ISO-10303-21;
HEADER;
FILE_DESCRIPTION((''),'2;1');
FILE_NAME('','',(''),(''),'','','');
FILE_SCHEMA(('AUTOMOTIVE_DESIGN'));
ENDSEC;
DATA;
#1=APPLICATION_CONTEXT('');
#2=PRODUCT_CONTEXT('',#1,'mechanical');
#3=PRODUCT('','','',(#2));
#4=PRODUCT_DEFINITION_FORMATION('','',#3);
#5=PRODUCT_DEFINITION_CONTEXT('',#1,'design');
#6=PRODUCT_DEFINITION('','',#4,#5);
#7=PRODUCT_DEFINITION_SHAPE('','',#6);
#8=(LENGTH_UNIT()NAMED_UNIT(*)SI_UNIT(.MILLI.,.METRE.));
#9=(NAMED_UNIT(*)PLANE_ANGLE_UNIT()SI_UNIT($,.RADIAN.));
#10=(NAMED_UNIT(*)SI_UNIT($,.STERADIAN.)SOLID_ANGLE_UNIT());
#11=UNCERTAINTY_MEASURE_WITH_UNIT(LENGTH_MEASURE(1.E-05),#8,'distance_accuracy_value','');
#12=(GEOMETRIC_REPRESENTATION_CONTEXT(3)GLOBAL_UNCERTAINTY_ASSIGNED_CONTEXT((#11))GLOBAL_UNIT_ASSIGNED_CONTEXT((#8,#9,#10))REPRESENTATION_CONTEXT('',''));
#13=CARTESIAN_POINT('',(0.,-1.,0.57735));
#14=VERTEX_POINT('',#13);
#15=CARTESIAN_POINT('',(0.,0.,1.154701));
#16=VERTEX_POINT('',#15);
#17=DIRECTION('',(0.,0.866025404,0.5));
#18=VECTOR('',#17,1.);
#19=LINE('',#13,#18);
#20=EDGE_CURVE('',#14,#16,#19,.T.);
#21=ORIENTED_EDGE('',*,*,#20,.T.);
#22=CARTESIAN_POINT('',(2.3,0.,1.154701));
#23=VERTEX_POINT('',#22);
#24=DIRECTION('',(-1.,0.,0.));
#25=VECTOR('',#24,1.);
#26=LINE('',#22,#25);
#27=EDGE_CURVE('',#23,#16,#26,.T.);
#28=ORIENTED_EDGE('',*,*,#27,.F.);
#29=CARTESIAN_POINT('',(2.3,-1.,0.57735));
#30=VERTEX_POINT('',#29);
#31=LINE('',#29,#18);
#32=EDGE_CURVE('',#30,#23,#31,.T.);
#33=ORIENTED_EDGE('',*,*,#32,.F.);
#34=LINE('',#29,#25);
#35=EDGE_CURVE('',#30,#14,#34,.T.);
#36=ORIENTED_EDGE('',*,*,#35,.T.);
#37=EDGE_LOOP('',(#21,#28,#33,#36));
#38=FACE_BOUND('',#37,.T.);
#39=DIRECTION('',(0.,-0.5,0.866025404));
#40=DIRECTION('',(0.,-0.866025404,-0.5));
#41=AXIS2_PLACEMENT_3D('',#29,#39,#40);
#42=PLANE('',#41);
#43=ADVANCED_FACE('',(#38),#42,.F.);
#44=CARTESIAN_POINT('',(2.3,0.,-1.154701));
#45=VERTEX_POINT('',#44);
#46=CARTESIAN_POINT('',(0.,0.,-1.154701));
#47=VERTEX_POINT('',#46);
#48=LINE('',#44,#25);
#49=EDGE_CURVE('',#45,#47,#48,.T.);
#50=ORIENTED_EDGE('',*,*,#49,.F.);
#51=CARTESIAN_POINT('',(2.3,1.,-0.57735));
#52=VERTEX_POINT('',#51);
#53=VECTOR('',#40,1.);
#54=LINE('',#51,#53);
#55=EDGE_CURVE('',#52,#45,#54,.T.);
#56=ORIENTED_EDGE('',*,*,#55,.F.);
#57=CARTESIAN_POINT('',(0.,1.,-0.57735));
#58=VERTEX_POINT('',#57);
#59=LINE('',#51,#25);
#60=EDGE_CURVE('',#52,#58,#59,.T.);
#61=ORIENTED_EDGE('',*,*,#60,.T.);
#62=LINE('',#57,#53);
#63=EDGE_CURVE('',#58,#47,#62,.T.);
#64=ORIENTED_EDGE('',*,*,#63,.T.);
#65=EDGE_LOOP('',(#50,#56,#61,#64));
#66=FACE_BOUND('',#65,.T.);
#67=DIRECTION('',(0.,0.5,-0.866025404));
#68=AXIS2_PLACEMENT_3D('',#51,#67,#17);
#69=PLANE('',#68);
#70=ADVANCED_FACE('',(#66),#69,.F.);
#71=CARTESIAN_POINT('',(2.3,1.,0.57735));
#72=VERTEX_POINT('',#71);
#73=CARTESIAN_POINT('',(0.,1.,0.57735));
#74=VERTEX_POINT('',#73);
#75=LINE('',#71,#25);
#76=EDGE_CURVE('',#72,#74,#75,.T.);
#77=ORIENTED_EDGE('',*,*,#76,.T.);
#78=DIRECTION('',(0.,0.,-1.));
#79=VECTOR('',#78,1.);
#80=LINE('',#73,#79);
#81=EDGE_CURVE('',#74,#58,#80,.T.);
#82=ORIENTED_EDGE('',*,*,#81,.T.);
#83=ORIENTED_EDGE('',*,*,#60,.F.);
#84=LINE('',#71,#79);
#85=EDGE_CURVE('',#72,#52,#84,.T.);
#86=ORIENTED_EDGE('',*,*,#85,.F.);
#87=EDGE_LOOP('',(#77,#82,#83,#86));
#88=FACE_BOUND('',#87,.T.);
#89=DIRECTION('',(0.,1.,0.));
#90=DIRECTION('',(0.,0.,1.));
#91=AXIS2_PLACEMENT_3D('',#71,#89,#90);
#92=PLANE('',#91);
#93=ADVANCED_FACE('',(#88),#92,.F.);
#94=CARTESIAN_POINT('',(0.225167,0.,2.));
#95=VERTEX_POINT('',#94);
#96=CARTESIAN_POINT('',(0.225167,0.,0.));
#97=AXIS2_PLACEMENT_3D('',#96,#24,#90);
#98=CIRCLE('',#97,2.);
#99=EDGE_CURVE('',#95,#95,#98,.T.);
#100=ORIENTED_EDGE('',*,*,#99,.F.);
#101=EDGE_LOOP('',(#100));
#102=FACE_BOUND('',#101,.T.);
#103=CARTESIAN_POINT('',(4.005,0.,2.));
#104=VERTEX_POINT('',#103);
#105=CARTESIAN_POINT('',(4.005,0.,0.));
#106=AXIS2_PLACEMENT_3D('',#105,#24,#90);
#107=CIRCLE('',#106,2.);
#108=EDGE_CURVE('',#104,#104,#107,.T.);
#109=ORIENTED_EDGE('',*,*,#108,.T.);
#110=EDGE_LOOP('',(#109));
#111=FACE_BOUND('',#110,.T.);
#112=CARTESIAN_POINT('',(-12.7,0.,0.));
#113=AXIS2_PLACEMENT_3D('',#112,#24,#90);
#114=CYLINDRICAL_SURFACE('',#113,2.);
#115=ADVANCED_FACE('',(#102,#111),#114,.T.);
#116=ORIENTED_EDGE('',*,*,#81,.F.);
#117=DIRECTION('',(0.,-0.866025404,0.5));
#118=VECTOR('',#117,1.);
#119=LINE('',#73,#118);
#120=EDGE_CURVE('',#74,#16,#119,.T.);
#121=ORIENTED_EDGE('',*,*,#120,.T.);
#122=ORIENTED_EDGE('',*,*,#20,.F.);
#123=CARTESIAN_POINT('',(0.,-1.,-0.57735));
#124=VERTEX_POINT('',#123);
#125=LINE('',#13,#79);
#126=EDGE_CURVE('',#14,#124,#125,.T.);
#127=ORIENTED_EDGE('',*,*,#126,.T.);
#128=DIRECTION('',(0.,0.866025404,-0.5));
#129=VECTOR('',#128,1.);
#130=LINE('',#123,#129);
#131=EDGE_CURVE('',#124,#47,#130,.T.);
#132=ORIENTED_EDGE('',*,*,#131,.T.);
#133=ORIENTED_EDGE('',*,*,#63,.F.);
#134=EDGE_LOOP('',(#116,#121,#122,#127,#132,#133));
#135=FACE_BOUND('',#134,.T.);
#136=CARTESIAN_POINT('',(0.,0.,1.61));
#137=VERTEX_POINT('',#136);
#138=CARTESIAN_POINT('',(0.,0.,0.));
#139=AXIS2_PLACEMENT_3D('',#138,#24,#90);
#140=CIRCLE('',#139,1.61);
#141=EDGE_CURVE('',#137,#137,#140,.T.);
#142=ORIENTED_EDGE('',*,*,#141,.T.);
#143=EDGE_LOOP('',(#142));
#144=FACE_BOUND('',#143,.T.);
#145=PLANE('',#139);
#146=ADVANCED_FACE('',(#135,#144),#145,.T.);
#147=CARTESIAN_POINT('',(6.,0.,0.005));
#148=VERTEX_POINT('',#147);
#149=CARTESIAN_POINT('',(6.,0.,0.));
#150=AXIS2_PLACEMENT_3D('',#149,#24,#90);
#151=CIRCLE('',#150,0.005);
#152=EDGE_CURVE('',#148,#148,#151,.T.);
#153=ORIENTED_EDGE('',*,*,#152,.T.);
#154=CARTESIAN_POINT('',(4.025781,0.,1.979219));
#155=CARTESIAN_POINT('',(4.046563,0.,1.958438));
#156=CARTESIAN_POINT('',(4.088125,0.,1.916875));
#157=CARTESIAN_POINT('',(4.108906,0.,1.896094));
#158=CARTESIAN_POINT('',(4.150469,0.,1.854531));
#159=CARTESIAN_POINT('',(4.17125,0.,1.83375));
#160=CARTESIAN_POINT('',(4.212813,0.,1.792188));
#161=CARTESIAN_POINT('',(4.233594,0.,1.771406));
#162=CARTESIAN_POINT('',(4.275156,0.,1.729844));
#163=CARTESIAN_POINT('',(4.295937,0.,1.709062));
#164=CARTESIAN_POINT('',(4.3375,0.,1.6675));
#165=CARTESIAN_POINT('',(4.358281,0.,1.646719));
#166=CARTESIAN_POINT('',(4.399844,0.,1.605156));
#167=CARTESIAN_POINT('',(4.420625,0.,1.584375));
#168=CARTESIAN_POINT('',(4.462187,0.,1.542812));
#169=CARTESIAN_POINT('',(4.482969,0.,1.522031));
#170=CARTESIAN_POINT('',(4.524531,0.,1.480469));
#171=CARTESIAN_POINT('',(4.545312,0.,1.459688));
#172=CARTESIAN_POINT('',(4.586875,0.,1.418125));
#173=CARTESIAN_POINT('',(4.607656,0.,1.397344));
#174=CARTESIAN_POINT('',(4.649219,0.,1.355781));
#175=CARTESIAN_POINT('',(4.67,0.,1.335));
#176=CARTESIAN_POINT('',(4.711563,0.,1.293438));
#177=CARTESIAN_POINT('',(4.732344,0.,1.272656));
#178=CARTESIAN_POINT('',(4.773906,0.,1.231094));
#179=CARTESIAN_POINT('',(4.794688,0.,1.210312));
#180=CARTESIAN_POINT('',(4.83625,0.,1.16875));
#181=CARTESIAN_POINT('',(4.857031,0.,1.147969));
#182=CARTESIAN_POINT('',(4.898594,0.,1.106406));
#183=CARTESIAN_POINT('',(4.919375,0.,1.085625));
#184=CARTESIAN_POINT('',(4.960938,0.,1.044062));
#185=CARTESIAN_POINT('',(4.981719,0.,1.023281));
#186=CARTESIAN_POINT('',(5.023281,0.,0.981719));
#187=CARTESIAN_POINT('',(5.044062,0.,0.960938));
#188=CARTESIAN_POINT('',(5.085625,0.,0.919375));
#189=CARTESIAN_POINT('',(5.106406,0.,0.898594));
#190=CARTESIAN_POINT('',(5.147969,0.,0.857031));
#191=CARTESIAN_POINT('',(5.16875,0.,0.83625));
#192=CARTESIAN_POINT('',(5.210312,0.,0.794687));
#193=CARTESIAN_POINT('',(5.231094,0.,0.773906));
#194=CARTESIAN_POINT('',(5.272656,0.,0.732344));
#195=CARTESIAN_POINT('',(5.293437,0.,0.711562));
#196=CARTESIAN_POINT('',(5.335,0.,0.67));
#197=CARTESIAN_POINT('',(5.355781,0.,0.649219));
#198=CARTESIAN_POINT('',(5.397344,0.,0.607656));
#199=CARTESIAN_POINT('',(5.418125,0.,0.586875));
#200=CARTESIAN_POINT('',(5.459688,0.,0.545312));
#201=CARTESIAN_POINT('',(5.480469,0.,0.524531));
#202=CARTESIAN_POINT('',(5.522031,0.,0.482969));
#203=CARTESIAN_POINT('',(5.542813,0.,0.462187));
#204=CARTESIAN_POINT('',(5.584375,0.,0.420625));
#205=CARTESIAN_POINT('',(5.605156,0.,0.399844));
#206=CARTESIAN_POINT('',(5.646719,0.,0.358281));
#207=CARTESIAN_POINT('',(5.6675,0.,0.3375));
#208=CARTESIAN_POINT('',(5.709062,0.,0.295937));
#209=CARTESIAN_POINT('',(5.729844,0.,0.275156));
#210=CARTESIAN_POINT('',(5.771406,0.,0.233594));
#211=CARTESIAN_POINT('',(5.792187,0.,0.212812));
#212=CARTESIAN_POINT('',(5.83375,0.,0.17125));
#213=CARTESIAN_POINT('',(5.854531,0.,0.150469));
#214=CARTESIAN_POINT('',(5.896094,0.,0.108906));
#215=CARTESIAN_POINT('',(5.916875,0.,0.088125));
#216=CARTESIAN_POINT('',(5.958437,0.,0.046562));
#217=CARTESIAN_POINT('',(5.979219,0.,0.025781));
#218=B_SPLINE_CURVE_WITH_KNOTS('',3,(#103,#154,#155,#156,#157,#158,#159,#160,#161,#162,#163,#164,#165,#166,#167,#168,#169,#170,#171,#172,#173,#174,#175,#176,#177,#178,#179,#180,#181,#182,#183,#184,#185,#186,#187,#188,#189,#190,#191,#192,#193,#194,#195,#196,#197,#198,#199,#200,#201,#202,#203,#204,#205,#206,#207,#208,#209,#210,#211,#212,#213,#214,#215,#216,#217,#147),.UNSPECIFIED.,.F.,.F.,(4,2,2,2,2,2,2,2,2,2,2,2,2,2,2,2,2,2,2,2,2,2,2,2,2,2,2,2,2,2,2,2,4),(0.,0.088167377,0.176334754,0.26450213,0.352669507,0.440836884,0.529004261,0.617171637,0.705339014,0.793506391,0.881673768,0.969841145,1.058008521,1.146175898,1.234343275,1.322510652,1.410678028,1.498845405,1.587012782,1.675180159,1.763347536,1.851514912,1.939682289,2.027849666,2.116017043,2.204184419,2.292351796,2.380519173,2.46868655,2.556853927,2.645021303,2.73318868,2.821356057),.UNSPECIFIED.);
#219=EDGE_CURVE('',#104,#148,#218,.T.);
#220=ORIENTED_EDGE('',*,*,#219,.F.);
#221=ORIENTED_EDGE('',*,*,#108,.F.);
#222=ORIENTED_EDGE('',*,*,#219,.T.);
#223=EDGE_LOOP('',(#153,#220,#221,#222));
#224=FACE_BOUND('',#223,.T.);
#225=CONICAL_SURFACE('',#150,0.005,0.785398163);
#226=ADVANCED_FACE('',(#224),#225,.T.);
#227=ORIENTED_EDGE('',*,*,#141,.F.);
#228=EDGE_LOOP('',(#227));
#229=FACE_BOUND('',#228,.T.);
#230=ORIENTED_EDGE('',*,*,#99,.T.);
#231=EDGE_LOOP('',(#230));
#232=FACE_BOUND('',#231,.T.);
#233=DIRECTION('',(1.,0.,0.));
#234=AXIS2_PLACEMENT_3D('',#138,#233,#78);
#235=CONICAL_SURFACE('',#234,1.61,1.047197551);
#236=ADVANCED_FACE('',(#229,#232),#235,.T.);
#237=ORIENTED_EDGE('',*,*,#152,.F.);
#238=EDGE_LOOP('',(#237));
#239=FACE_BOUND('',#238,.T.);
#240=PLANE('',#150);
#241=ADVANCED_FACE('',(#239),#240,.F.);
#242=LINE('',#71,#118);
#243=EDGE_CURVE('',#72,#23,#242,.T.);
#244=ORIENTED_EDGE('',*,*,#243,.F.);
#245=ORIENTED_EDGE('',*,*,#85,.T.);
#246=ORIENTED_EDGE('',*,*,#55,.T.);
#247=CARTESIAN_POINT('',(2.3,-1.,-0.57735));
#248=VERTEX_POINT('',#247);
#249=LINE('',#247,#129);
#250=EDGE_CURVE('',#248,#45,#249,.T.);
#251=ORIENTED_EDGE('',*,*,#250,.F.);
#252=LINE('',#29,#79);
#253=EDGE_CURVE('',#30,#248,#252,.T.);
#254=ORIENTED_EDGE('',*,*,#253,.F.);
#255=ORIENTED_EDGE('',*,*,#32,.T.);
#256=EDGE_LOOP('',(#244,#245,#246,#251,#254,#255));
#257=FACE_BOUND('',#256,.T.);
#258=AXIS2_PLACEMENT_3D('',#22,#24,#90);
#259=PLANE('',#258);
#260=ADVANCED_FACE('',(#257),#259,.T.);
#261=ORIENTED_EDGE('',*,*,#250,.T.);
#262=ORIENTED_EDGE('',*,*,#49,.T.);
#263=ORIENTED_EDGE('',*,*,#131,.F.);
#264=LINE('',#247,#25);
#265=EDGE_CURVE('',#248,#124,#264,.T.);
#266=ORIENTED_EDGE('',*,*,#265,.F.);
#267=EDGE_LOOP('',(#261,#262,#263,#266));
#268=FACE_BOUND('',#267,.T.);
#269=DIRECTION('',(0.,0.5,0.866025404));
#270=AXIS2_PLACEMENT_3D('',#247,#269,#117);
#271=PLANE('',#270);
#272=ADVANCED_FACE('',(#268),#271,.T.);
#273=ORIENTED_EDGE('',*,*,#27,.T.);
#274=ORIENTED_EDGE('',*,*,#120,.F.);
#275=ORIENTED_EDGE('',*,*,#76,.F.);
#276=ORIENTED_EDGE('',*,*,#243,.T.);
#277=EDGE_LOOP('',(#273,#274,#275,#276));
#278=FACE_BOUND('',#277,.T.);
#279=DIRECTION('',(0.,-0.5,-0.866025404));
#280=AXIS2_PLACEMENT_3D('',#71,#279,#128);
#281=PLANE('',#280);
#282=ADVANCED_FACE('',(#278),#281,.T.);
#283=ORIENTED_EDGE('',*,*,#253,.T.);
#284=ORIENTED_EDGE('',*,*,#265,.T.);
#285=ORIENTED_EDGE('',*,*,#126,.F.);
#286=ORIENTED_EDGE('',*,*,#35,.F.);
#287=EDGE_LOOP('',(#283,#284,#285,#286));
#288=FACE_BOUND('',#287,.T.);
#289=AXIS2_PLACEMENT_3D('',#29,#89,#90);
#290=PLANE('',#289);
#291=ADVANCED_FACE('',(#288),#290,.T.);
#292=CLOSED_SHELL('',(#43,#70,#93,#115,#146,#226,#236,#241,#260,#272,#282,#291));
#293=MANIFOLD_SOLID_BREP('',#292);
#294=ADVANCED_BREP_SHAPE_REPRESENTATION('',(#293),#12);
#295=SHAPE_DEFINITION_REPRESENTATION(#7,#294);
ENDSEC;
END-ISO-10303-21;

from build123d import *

# Parameters (mm, degrees)
HEX_2_DEPTH = 2.3


with BuildPart() as part:
    # BodySke → BaseBody (revolve)
    with BuildSketch(Plane.XY, mode=Mode.PRIVATE) as basebody_sk:
        Polygon((0, 0), (0, 1.61), (0.225166605, 2), (4.005, 2), (6, 0.005), (6, 0), align=None)
    revolve(basebody_sk.sketch.rotate(Axis((-12.7, 0, 0), (1, 0, 0)), 90), axis=Axis((-12.7, 0, 0), (1, 0, 0)))

    # Sketch2 → Hex 2 (cut)
    with BuildSketch(Plane.ZY):
        Polygon((0.577350269, 1), (-0.577350269, 1), (-1.154700538, 0), (-0.577350269, -1), (0.577350269, -1), (1.154700538, 0), align=None)
    extrude(amount=-HEX_2_DEPTH, mode=Mode.SUBTRACT)


solid = part.part
